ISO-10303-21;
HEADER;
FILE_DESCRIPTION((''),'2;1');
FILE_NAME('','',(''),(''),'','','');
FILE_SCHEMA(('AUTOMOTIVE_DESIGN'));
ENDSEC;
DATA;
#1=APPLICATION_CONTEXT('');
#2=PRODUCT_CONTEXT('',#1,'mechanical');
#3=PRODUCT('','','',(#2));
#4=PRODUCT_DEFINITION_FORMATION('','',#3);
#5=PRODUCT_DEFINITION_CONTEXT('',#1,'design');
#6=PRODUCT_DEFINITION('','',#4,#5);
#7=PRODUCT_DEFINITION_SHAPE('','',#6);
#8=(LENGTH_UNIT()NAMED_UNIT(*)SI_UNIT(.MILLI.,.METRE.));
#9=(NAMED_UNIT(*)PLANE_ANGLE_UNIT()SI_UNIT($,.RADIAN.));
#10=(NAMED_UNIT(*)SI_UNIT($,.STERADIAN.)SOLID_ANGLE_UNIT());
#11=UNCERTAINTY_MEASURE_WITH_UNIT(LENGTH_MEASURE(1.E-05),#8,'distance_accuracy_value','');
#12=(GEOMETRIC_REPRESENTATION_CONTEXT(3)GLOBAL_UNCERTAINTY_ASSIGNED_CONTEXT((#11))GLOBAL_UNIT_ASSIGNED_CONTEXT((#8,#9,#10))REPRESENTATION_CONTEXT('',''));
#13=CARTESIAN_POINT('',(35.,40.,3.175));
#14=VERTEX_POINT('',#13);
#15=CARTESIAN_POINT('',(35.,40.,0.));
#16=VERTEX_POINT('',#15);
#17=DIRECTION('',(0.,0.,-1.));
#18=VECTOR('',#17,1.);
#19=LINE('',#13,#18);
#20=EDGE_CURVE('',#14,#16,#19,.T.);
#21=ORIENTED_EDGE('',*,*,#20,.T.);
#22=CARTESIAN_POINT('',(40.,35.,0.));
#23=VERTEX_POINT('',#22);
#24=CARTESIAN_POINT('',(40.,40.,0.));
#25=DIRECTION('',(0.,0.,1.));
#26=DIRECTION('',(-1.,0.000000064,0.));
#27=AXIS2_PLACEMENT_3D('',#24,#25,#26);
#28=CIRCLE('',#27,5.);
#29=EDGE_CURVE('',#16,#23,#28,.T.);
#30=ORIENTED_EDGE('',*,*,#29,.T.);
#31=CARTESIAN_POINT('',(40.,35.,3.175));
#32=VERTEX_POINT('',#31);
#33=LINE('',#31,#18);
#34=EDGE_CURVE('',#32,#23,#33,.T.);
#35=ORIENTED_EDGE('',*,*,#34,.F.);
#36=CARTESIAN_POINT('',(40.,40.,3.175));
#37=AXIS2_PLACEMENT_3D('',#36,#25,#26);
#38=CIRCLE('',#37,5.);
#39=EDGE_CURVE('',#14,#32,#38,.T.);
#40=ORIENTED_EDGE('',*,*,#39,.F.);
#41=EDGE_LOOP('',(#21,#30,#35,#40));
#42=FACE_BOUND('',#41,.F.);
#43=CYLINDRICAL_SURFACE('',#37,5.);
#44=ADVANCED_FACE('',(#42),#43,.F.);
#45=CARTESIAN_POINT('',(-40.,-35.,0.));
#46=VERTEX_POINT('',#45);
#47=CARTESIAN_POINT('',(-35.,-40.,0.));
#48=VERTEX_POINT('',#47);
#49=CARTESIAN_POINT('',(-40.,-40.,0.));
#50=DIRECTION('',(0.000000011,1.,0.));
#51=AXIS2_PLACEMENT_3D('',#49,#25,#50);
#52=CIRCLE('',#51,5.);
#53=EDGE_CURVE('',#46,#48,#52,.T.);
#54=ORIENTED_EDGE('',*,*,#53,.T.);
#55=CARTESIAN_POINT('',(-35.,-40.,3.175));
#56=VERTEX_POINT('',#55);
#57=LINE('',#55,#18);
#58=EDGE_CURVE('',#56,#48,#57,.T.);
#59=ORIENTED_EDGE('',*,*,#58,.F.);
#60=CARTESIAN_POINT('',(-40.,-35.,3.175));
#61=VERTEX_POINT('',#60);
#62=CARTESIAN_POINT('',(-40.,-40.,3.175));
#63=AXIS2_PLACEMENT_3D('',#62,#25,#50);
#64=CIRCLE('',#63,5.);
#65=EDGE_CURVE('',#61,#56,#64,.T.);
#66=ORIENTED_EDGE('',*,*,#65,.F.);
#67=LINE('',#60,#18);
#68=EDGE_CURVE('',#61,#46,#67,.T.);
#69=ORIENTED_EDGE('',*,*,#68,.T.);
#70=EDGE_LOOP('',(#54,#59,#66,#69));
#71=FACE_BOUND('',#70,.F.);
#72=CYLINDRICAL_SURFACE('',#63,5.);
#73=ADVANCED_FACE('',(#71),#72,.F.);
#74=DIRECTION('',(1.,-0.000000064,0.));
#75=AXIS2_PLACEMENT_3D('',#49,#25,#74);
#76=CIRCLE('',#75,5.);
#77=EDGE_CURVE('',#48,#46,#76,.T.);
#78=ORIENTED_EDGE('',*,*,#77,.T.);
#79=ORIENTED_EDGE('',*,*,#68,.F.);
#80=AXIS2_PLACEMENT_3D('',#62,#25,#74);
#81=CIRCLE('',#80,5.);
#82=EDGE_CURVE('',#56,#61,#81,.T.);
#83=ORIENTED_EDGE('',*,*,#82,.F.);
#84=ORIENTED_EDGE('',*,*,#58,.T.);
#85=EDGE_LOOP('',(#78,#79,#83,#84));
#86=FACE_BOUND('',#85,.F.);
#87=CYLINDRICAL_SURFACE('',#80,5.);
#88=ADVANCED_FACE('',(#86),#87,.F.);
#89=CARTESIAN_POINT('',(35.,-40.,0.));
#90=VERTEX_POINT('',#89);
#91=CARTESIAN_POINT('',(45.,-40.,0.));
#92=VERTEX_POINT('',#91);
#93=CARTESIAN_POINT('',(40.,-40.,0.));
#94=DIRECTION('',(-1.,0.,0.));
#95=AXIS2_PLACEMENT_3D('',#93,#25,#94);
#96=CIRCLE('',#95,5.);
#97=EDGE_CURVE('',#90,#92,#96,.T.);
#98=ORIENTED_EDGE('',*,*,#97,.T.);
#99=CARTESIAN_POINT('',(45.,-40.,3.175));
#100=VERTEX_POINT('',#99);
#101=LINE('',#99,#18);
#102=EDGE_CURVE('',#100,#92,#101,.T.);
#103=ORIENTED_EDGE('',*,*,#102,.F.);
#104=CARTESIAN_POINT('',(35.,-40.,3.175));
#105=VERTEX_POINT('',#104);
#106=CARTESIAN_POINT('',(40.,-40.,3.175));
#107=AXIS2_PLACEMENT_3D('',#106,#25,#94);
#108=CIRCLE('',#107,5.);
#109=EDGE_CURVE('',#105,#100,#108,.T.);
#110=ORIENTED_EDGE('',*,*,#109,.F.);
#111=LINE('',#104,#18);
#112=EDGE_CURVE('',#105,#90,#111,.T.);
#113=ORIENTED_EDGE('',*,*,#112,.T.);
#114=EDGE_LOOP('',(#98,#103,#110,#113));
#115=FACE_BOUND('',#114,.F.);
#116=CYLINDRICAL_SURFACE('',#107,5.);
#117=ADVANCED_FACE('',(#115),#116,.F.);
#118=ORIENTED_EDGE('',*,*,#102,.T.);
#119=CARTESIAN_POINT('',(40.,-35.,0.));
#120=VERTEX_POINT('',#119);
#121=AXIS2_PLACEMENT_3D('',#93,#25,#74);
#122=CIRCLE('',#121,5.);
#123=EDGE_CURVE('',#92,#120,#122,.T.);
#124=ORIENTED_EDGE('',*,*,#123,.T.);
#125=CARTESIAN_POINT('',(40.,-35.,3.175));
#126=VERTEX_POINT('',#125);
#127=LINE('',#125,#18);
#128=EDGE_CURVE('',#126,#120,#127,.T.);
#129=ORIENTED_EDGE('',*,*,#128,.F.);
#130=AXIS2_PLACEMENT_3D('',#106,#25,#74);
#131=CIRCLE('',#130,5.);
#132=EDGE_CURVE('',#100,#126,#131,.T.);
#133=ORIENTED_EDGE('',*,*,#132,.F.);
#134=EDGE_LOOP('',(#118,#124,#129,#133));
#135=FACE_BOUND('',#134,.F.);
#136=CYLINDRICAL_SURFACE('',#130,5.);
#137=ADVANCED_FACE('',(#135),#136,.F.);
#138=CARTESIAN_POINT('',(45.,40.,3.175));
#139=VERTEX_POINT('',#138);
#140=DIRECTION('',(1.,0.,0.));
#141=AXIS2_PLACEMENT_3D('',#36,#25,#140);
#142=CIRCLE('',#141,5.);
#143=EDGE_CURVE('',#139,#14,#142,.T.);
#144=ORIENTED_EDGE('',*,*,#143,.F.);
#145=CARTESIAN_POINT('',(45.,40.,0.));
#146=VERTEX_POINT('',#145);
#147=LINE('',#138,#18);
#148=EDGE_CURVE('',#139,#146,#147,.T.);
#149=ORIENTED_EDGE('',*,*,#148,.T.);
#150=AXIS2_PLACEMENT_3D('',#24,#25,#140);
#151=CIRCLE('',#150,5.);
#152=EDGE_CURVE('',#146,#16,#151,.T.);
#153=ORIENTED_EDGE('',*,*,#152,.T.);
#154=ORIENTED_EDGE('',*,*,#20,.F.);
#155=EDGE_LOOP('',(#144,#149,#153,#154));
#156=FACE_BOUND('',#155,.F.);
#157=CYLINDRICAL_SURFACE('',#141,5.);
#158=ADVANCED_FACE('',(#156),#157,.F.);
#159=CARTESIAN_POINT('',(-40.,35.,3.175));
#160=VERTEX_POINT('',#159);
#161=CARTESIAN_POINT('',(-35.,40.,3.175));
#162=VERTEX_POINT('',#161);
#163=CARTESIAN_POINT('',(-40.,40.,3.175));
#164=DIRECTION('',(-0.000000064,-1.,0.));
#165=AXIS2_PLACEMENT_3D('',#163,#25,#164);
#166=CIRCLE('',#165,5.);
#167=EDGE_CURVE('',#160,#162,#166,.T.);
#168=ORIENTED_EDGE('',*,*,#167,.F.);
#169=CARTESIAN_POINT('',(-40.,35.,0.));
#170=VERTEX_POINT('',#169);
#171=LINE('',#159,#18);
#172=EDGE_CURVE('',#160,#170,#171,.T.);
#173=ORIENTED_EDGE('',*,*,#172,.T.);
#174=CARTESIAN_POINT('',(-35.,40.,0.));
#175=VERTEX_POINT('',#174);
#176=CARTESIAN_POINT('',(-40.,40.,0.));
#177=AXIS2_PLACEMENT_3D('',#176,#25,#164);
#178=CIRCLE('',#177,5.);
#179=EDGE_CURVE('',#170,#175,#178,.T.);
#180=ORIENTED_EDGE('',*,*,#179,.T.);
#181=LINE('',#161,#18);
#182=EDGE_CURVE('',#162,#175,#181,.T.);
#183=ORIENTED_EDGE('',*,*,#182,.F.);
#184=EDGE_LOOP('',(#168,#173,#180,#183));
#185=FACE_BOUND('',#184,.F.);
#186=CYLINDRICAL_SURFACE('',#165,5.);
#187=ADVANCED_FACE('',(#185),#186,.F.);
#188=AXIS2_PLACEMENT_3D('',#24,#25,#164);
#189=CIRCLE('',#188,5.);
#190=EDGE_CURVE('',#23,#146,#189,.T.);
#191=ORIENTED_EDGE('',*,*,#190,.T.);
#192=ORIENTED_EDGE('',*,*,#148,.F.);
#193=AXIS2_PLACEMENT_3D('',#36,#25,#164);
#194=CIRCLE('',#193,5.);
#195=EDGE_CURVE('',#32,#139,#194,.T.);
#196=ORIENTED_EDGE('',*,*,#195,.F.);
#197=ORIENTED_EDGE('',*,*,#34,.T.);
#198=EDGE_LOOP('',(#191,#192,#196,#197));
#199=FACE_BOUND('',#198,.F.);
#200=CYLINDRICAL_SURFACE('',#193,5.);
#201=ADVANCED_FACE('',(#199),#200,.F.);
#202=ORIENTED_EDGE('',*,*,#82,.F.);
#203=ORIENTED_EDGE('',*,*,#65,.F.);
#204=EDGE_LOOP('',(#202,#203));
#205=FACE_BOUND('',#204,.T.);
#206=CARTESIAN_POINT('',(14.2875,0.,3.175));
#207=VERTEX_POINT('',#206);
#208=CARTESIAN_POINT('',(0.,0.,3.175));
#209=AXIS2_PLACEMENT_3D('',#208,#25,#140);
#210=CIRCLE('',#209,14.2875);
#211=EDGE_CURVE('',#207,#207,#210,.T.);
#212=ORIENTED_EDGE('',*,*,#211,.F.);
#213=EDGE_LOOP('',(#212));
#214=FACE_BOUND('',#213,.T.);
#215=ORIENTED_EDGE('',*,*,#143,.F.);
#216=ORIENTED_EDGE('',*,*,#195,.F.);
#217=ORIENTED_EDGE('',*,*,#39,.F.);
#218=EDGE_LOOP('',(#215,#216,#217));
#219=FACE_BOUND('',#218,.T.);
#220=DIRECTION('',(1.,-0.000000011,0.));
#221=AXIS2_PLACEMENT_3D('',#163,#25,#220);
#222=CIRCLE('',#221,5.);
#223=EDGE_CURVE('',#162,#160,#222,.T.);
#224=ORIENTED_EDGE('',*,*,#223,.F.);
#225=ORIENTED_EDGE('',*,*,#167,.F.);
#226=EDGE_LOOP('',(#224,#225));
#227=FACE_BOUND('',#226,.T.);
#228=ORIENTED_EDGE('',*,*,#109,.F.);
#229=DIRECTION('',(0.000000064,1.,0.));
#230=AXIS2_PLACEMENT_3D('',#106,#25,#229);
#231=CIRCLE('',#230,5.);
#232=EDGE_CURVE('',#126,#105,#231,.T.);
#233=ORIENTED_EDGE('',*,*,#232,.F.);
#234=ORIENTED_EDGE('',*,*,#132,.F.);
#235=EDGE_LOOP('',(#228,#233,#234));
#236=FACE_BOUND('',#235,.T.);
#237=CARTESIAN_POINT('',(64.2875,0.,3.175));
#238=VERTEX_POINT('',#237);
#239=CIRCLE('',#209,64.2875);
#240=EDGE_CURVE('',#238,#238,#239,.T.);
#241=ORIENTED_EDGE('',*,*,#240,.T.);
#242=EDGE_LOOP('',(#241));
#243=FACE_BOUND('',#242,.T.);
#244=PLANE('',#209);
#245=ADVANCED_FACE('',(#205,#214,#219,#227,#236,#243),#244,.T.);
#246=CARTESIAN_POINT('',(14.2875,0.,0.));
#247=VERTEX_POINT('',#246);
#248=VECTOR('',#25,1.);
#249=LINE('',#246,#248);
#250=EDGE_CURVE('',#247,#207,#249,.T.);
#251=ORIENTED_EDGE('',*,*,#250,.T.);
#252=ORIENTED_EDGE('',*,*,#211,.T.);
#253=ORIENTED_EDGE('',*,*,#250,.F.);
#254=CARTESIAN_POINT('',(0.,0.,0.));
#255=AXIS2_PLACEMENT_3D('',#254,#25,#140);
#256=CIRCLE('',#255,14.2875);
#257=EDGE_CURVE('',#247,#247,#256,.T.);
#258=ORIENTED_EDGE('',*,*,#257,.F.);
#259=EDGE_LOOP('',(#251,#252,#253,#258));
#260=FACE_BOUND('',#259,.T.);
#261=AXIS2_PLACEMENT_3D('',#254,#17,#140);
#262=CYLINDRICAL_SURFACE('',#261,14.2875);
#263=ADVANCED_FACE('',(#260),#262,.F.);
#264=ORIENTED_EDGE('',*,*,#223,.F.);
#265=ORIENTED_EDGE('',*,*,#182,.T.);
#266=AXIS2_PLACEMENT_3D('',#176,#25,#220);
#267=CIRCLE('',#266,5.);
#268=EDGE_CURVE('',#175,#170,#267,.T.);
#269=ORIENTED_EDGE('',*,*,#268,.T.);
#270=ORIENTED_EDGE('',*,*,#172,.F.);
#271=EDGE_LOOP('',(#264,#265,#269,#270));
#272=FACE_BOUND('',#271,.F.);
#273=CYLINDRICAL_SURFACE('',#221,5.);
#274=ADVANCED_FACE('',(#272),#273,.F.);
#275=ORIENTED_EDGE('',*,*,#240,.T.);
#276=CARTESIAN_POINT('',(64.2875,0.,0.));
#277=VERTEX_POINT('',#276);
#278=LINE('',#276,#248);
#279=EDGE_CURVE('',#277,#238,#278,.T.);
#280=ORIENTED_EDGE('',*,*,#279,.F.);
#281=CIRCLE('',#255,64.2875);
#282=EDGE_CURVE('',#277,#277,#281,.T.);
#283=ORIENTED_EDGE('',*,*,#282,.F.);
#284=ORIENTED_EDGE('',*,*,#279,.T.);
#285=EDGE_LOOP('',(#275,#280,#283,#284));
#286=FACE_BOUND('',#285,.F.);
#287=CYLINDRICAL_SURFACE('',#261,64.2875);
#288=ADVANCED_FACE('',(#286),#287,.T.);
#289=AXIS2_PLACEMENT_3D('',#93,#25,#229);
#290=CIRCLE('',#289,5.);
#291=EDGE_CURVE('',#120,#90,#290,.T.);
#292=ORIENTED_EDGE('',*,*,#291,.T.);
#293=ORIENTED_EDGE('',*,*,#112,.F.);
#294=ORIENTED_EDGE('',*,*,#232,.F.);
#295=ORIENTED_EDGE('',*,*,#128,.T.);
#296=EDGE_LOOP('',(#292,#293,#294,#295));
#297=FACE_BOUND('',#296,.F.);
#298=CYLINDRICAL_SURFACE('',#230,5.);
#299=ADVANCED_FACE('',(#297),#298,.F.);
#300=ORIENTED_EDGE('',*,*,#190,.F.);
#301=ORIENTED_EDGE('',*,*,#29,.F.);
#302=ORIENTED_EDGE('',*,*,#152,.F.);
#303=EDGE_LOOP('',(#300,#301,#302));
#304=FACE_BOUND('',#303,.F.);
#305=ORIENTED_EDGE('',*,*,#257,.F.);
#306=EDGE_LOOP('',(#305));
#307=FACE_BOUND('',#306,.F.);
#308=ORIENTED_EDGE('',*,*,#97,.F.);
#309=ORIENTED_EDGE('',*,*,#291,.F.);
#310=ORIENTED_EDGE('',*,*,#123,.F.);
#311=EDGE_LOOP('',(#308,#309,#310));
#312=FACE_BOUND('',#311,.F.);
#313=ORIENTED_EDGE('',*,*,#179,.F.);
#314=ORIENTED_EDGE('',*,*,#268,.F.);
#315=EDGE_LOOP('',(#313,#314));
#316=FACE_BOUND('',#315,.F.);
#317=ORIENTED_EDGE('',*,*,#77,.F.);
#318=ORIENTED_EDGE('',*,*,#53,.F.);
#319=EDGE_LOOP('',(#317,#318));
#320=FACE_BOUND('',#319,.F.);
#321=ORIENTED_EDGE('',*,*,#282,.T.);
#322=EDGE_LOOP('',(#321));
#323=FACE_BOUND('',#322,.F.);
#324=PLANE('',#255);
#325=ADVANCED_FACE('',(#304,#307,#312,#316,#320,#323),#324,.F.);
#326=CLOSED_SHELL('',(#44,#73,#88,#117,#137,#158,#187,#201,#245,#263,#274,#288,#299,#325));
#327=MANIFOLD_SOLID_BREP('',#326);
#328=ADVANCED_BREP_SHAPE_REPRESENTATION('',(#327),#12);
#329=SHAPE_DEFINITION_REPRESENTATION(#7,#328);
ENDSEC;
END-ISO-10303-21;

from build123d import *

# Parameters (mm, degrees)
F0_R     = 64.2875
F0_R_2   = 14.2875
F1_DEPTH = 3.175
F3_DEPTH = 25


with BuildPart() as f1:
    # F0 (on Top) → F1 (new body)
    with BuildSketch(Plane.XY):
        Circle(F0_R)
        Circle(F0_R_2, mode=Mode.SUBTRACT)
    extrude(amount=F1_DEPTH)

    # F2 (on face) → F3 (cut)
    with BuildSketch(Plane.XY.offset(3.175)):
        with BuildLine():
            ThreePointArc((-40, 35), (-36.464466, 36.464466), (-35, 40))
            Line((-35, 40), (-40, 40))
            Line((-40, 40), (-40, 35))
        make_face()
        with BuildLine():
            Line((-40, 40), (-35, 40))
            ThreePointArc((-35, 40), (-43.535534, 43.535534), (-40, 35))
            Line((-40, 35), (-40, 40))
        make_face()
        with BuildLine():
            Line((40, 40), (35, 40))
            ThreePointArc((35, 40), (36.464466, 36.464466), (40, 35))
            Line((40, 35), (40, 40))
        make_face()
        with BuildLine():
            ThreePointArc((45, 40), (40, 45), (35, 40))
            Line((35, 40), (40, 40))
            Line((40, 40), (40, 35))
            ThreePointArc((40, 35), (43.535534, 36.464466), (45, 40))
        make_face()
        with BuildLine():
            ThreePointArc((45, -40), (43.535534, -36.464466), (40, -35))
            Line((40, -35), (40, -40))
            Line((40, -40), (35, -40))
            ThreePointArc((35, -40), (40, -45), (45, -40))
        make_face()
        with BuildLine():
            Line((40, -40), (40, -35))
            ThreePointArc((40, -35), (36.464466, -36.464466), (35, -40))
            Line((35, -40), (40, -40))
        make_face()
        with BuildLine():
            Line((-40, -40), (-40, -35))
            ThreePointArc((-40, -35), (-43.535534, -43.535534), (-35, -40))
            Line((-35, -40), (-40, -40))
        make_face()
        with BuildLine():
            ThreePointArc((-35, -40), (-36.464466, -36.464466), (-40, -35))
            Line((-40, -35), (-40, -40))
            Line((-40, -40), (-35, -40))
        make_face()
    extrude(amount=-F3_DEPTH, mode=Mode.SUBTRACT)


solid = f1.part
